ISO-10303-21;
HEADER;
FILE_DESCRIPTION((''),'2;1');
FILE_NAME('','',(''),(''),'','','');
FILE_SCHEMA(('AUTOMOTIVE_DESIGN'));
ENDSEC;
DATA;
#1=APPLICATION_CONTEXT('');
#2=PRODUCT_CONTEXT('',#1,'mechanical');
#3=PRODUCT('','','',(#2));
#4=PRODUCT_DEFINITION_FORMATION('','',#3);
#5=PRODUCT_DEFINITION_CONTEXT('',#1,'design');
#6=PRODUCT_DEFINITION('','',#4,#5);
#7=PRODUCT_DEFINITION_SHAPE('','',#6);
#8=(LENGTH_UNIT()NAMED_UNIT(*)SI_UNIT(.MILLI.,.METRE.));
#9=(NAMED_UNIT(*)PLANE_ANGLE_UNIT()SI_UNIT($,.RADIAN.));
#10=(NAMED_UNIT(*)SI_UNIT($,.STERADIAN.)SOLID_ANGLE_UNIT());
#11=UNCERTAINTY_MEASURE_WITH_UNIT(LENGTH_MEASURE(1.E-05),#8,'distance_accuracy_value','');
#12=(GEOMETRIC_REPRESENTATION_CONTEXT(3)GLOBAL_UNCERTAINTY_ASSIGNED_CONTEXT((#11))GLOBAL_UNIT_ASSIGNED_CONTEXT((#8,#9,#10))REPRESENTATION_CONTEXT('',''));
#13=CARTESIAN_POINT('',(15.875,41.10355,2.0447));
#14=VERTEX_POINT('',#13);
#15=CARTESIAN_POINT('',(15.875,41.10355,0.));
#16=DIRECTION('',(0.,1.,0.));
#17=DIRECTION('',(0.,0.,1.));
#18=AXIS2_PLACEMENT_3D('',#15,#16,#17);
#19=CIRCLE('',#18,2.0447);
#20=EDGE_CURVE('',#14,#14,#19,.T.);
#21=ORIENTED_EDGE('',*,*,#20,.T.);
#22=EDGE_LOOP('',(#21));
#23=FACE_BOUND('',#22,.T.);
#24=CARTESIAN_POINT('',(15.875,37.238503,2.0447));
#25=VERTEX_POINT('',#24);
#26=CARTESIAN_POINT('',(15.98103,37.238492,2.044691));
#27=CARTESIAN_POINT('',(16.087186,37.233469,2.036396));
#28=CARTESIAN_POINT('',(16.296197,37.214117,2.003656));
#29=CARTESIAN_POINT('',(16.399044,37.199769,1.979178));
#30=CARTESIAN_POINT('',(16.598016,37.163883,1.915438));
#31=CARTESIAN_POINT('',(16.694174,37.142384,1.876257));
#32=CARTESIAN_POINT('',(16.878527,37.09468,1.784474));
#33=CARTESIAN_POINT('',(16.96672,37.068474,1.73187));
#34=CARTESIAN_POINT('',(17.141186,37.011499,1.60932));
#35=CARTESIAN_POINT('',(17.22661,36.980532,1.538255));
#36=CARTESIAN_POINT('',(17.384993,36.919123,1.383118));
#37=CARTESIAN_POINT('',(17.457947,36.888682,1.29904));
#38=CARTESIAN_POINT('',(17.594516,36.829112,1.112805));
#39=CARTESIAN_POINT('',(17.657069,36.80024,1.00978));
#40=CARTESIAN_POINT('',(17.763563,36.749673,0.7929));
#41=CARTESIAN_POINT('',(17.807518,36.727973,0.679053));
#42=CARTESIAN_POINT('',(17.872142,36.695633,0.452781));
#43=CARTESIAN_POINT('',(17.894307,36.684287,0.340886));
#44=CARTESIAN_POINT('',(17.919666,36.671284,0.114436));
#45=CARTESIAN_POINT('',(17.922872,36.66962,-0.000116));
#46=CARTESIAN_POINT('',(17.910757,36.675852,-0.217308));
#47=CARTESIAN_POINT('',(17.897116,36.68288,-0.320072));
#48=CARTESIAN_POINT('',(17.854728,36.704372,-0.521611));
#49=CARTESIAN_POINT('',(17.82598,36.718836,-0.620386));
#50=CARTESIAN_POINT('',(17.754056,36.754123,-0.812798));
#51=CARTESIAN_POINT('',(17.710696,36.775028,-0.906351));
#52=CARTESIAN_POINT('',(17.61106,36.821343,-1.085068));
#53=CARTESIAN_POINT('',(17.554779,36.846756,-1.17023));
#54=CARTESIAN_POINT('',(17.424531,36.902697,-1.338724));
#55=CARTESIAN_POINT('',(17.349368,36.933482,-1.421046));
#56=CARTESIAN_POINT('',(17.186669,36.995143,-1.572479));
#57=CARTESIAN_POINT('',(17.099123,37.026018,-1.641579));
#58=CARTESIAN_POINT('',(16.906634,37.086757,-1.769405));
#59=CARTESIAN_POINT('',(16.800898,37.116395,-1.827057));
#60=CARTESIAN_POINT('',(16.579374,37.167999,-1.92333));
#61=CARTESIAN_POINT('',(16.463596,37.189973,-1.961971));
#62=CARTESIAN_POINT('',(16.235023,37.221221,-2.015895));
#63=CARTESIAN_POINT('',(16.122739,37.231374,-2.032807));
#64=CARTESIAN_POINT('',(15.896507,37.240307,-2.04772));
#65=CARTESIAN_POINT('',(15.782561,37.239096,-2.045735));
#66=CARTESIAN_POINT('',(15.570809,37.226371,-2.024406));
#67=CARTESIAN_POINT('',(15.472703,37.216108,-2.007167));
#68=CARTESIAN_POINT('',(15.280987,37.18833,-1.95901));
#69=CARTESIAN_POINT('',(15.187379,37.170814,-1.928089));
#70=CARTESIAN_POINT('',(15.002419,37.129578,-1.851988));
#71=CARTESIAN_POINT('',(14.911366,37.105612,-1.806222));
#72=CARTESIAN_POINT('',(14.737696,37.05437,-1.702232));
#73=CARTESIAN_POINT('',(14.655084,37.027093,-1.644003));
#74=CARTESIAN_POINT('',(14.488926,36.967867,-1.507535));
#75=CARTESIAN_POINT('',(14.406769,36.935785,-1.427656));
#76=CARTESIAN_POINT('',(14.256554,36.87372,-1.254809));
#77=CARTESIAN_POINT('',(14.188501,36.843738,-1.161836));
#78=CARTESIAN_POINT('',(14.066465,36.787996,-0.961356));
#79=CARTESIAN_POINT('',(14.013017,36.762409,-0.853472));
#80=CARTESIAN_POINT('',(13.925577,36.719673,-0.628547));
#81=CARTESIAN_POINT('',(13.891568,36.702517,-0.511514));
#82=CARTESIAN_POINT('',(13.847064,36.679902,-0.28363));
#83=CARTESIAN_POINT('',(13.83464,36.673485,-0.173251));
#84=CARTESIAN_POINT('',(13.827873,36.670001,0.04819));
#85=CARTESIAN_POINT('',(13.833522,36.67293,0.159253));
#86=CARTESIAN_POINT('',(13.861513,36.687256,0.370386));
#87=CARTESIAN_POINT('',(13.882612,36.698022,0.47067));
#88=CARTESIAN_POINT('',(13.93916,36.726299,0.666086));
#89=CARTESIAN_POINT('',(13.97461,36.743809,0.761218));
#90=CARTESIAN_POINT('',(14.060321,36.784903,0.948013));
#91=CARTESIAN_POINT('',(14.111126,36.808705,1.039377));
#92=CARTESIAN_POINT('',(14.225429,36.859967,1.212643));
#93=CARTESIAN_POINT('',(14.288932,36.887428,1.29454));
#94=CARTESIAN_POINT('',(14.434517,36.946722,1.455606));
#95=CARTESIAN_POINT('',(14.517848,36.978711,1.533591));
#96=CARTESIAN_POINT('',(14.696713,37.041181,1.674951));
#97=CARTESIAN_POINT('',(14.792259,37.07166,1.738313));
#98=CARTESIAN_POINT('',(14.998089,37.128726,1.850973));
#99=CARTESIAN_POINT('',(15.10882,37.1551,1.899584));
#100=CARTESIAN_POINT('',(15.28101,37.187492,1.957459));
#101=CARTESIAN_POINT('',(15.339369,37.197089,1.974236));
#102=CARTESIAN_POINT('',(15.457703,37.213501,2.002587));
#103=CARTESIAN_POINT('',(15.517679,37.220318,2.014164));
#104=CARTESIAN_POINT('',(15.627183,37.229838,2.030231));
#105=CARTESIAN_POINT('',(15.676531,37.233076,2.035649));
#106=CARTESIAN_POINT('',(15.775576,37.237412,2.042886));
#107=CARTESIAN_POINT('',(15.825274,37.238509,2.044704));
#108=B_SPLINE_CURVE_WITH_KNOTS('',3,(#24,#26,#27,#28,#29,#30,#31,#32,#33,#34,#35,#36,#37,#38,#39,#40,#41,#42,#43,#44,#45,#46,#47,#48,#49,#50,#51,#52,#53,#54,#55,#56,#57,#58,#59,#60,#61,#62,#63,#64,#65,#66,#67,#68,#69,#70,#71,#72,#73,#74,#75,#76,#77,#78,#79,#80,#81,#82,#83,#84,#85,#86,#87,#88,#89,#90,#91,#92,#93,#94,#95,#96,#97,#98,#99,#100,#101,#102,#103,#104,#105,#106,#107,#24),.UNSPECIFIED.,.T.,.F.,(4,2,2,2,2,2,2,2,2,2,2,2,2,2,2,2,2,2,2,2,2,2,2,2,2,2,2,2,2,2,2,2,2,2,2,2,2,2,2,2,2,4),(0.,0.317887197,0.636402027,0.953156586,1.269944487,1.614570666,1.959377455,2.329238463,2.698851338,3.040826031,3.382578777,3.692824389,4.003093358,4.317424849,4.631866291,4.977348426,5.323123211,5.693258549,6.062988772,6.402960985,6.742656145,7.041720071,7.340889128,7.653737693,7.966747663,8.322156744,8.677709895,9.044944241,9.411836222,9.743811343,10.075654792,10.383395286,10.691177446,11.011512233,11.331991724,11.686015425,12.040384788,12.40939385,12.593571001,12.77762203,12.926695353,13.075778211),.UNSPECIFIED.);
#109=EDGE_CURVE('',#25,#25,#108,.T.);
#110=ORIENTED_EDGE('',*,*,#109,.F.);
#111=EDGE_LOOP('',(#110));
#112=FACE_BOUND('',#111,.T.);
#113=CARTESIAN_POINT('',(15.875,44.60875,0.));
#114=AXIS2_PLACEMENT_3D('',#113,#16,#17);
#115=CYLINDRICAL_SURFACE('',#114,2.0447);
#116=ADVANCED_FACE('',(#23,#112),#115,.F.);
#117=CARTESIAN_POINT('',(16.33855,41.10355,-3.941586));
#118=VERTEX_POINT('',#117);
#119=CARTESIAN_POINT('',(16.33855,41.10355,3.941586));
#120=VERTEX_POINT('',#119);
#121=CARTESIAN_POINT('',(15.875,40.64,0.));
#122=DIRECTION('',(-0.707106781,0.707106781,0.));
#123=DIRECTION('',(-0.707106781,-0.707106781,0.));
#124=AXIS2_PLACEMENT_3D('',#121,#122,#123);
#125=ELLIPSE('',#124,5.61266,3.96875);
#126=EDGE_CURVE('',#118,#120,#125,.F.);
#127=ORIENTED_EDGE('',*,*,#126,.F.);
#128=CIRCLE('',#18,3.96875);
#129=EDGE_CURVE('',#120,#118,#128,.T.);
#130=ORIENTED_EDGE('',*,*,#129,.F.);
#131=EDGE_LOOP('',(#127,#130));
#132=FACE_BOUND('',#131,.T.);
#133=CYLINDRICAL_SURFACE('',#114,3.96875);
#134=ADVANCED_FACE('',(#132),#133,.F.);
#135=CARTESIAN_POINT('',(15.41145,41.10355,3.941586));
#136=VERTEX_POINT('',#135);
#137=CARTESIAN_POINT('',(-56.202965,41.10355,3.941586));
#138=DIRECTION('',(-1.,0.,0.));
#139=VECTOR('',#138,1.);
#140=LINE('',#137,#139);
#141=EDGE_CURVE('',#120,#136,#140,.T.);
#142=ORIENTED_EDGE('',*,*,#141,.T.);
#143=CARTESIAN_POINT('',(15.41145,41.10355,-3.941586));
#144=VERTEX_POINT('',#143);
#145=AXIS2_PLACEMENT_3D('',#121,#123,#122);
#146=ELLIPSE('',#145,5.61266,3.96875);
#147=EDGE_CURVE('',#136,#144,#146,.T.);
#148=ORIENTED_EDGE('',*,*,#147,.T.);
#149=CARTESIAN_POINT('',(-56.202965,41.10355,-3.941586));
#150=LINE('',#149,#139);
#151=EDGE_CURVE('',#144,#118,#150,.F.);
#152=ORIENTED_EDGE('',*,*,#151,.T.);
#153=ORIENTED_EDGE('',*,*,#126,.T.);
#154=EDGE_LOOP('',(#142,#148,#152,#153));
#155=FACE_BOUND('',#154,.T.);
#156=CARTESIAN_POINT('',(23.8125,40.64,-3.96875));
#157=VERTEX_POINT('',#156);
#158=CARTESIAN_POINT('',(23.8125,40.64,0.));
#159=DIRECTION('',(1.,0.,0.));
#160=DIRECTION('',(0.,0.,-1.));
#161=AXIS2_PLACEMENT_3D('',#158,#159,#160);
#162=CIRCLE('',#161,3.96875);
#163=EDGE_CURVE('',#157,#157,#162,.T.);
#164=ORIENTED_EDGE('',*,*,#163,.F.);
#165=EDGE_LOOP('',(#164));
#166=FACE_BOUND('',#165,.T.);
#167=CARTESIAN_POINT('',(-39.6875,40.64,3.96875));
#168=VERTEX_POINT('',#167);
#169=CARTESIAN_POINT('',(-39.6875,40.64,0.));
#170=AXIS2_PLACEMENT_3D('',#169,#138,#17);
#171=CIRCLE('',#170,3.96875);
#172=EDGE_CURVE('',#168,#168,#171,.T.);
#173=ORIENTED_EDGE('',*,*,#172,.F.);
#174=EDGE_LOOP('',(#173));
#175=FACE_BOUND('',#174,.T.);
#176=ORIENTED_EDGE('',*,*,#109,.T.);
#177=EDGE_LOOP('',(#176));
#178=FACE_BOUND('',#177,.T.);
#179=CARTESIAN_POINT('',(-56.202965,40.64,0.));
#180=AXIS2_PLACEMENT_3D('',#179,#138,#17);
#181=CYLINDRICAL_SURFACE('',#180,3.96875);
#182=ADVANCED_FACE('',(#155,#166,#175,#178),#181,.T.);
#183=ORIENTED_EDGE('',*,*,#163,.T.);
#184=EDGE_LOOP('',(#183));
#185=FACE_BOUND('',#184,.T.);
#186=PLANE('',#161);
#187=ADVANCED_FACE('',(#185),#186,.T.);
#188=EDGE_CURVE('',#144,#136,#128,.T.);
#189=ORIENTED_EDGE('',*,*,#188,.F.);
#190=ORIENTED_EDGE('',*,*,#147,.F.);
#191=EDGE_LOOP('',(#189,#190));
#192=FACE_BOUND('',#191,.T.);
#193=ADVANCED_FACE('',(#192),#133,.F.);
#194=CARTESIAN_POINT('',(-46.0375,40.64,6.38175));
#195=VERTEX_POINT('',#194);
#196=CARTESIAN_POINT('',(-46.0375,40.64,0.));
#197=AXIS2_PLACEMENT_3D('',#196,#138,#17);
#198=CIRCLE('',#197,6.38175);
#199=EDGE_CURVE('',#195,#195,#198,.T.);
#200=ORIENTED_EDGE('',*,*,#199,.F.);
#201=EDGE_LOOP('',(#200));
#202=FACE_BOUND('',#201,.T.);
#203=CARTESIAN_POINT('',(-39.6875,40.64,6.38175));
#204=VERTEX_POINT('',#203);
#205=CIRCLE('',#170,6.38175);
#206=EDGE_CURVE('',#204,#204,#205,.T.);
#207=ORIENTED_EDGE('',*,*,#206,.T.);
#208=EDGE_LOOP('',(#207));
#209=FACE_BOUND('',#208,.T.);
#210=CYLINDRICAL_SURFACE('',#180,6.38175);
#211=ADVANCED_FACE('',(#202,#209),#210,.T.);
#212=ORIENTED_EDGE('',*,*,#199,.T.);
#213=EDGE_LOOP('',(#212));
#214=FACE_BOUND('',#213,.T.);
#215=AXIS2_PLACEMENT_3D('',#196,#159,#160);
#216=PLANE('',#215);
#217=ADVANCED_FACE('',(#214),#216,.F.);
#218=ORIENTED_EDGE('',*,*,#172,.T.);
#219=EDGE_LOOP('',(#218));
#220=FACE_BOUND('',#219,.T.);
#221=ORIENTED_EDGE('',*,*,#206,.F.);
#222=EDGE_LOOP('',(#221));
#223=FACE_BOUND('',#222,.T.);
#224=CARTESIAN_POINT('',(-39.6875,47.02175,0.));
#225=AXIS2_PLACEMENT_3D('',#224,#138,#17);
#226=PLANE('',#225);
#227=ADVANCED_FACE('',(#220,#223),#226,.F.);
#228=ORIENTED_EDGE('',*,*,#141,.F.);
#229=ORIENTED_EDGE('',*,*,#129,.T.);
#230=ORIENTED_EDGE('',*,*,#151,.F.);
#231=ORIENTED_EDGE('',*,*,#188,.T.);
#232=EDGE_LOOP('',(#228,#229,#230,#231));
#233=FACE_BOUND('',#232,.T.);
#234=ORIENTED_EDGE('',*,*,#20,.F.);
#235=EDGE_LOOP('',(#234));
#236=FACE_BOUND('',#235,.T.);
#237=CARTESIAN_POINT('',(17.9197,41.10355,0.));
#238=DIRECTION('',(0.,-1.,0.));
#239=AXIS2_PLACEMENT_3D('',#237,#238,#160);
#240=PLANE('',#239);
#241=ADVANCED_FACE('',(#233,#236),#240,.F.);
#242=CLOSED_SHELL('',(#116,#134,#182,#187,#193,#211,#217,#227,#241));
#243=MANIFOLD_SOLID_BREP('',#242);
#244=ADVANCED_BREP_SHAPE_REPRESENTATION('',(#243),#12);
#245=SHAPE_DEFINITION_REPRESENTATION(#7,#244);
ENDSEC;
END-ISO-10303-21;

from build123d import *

# Parameters (mm, degrees)
CBORE_FOR_6_SOCKET_HEAD_CAP_SCREW1_D           = 4.0894
CBORE_FOR_6_SOCKET_HEAD_CAP_SCREW1_CBORE_D     = 7.9375
CBORE_FOR_6_SOCKET_HEAD_CAP_SCREW1_CBORE_DEPTH = 3.5052
SKETCH7_R                                      = 3.96875
BOSS_EXTRUDE1_DEPTH                            = 3.175


with BuildPart() as part:
    # Sketch1 → Revolve1 (revolve)
    with BuildSketch(Plane.XY):
        Polygon((-46.0375, 40.64), (-46.0375, 47.02175), (-39.6875, 47.02175), (-39.6875, 44.60875), (20.6375, 44.60875), (20.6375, 40.64), align=None)
    revolve(axis=Axis((-56.202964931, 40.64, 0), (1, 0, 0)))

    # CBORE for #6 Socket Head Cap Screw1 (through all)
    with Locations(Plane(origin=(0, 44.60875, 0), x_dir=(1, 0, 0), z_dir=(0, 1, 0))):
        with Locations((15.875, 0)):
            CounterBoreHole(CBORE_FOR_6_SOCKET_HEAD_CAP_SCREW1_D / 2, CBORE_FOR_6_SOCKET_HEAD_CAP_SCREW1_CBORE_D / 2, CBORE_FOR_6_SOCKET_HEAD_CAP_SCREW1_CBORE_DEPTH)

    # Sketch7 → Boss-Extrude1 (add)
    with BuildSketch(Plane(origin=(20.6375, 0, 0), x_dir=(0, 0, -1), z_dir=(1, 0, 0))):
        with Locations((0, 40.64)):
            Circle(SKETCH7_R)
    extrude(amount=BOSS_EXTRUDE1_DEPTH)


solid = part.part
